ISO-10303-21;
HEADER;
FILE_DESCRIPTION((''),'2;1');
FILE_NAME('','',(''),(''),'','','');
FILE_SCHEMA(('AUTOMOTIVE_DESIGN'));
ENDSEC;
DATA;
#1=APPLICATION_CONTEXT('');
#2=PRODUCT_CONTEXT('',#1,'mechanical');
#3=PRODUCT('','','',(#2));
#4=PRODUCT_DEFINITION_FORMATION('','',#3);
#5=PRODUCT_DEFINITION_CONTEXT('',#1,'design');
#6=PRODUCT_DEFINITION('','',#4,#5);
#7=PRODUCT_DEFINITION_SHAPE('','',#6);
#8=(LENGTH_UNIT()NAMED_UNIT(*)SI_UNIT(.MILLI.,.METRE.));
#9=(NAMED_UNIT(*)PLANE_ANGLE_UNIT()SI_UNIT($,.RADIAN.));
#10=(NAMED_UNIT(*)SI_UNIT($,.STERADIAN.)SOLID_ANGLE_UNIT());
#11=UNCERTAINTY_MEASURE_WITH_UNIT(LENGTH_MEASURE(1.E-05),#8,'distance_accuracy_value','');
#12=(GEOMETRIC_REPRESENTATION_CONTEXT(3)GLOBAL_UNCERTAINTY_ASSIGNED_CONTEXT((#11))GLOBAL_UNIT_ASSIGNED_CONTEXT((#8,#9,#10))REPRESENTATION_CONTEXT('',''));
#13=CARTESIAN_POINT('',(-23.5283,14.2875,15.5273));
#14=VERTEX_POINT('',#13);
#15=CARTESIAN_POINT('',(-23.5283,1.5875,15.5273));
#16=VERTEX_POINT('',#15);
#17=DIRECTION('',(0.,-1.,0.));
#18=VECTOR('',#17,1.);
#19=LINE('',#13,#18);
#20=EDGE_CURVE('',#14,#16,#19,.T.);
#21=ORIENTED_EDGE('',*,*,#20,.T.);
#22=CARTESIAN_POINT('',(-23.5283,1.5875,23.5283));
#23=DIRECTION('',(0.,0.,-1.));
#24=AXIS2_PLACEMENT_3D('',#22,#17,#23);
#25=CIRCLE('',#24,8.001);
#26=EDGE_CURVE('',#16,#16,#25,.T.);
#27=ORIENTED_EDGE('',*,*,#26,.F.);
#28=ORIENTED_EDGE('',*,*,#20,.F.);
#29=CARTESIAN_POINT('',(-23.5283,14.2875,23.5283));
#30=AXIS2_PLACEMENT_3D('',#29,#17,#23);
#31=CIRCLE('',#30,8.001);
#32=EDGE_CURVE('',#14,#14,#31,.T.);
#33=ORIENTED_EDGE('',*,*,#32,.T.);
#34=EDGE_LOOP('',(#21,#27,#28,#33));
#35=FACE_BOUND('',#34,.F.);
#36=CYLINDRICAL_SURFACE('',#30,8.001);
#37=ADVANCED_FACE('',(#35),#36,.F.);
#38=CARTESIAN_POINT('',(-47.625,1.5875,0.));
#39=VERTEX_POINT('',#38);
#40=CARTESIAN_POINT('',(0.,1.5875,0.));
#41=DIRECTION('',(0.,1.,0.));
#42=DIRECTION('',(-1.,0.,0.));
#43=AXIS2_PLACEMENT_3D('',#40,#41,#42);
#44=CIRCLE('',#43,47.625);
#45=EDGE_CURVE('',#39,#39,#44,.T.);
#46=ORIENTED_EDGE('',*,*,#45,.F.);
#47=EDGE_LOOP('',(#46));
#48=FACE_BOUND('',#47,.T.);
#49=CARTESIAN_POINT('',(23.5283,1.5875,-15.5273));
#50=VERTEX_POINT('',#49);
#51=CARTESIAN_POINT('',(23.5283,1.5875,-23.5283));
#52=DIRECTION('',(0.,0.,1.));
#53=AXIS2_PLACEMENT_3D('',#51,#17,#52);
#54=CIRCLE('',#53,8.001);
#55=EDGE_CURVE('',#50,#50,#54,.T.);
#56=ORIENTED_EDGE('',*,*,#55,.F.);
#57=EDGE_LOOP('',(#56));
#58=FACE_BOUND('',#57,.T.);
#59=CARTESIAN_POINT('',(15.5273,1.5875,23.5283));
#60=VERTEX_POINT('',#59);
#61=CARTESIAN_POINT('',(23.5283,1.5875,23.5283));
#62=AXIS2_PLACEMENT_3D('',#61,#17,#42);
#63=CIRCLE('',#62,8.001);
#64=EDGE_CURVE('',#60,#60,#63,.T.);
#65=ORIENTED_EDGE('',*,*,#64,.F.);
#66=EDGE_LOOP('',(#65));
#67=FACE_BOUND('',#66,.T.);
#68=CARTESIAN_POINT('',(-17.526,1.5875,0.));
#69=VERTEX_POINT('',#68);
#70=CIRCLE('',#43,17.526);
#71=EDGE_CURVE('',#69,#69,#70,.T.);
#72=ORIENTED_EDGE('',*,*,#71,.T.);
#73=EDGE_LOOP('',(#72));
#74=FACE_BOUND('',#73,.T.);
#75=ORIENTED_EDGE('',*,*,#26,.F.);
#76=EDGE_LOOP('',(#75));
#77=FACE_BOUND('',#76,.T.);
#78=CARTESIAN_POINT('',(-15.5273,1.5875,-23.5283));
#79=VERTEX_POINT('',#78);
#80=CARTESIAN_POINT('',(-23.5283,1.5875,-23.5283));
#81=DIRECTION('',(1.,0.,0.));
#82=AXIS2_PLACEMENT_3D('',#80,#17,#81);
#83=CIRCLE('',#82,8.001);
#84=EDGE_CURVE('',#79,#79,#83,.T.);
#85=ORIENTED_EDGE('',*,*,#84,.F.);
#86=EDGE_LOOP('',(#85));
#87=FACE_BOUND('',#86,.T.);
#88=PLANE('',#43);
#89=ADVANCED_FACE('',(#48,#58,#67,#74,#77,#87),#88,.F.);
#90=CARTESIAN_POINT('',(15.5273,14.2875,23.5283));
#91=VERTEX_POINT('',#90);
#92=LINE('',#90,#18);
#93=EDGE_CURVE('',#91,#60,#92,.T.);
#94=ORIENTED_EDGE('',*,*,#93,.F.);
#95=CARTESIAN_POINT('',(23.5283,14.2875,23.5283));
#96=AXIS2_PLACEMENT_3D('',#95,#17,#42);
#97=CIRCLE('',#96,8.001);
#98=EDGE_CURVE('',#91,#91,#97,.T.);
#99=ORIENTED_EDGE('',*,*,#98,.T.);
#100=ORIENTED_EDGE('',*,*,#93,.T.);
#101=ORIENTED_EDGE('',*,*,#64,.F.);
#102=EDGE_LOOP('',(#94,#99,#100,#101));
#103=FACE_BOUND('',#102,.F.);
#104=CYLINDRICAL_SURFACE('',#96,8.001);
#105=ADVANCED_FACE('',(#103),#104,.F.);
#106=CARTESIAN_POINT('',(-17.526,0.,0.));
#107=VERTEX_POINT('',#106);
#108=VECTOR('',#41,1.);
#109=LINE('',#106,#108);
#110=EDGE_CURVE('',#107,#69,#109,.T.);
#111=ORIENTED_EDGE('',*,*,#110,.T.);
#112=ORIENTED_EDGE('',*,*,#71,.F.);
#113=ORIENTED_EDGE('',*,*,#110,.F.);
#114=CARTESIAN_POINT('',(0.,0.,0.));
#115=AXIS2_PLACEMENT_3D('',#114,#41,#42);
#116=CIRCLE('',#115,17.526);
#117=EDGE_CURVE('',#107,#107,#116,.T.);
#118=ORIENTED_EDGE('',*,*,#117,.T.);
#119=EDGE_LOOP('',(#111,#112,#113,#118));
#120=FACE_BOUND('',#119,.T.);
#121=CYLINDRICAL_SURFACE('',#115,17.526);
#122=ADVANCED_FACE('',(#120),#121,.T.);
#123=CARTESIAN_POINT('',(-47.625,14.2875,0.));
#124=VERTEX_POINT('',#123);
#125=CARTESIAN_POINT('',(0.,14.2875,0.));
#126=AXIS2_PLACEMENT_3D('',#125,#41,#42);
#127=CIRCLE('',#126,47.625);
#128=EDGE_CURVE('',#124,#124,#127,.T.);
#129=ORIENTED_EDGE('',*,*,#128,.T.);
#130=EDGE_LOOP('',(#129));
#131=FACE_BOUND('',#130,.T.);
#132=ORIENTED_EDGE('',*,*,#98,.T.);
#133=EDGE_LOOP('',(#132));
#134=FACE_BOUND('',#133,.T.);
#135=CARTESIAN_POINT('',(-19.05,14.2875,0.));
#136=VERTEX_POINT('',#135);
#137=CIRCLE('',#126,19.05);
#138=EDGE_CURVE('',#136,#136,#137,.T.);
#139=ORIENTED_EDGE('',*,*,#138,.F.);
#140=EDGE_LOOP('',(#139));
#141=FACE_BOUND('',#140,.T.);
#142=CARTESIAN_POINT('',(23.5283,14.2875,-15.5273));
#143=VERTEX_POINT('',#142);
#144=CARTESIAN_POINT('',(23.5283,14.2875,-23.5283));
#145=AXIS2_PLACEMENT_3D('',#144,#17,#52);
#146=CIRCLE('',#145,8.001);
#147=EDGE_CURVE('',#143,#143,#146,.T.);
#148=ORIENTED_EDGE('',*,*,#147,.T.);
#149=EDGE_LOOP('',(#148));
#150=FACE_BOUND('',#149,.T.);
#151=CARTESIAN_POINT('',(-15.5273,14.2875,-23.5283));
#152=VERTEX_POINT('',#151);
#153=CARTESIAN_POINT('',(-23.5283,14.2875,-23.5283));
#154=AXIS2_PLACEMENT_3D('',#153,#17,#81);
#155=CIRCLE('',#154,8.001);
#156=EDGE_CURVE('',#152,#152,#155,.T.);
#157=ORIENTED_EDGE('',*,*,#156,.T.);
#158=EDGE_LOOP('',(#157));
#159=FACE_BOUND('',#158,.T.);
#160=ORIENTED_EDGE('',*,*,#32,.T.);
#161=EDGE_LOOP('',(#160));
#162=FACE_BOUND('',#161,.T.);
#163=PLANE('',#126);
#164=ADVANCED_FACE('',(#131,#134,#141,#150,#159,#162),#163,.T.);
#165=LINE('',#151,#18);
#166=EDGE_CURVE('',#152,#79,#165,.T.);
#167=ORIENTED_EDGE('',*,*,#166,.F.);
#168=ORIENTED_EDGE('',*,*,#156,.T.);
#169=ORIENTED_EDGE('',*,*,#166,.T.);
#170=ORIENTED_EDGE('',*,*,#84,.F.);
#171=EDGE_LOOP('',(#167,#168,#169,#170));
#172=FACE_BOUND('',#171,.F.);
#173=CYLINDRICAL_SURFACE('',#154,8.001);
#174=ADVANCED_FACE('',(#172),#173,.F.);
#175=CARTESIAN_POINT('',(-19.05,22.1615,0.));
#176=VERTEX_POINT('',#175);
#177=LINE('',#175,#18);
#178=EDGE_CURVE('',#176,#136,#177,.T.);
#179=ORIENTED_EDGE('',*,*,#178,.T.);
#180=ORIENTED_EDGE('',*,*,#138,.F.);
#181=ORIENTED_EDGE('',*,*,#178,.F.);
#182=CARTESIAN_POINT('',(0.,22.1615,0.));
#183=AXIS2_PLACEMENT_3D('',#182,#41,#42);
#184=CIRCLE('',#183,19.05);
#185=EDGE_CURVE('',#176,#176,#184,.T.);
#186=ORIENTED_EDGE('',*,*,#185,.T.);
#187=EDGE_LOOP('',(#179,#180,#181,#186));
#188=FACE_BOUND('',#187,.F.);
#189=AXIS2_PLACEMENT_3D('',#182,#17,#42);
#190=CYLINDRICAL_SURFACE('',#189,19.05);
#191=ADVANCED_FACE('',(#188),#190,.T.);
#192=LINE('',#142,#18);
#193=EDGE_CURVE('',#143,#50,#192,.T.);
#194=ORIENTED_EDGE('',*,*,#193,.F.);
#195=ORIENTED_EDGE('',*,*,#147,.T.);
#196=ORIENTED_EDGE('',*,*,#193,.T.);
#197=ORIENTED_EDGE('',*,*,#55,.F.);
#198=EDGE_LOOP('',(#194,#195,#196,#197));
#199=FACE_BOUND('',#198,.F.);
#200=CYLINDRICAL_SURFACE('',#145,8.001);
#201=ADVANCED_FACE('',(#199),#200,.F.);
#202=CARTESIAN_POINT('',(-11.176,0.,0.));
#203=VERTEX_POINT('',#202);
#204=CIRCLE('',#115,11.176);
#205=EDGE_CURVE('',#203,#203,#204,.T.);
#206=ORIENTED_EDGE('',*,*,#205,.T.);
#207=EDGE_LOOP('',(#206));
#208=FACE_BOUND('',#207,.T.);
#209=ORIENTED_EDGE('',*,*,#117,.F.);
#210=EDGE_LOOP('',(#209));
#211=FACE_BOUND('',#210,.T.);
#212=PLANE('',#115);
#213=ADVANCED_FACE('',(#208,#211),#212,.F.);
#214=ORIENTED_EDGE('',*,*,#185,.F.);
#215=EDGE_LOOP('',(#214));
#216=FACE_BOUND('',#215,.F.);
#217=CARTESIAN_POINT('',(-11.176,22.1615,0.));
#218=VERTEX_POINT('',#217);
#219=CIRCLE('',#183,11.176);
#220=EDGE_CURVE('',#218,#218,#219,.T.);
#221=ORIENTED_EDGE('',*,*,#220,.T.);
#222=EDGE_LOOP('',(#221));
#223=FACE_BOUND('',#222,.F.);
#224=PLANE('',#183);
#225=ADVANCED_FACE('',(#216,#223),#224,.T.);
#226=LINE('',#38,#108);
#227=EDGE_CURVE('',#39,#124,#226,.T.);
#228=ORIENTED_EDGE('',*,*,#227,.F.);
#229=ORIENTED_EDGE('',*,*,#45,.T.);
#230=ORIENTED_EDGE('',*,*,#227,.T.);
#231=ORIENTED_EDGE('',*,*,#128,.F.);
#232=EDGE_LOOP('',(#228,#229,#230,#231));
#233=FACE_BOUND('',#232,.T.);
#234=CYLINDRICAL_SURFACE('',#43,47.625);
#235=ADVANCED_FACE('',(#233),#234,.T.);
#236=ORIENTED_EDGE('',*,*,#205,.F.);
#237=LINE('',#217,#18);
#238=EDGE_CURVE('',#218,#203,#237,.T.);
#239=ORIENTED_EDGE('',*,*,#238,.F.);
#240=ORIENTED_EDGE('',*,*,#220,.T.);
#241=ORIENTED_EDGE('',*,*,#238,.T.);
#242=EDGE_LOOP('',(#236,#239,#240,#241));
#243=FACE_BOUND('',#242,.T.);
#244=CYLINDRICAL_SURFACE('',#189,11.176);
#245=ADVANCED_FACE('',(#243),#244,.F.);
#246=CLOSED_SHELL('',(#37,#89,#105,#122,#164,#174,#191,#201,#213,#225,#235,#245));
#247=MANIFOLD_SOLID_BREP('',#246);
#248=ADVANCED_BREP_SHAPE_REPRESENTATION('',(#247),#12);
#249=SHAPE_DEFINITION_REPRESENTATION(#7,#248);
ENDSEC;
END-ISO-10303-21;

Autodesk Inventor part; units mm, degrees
ref_plane "YZ Plane" through (0, 0, 0) normal (1, 0, 0) x (0, 1, 0)
ref_plane "XZ Plane" through (0, 0, 0) normal (0, 1, 0) x (-1, 0, 0)
ref_plane "XY Plane" through (0, 0, 0) normal (0, 0, 1) x (1, 0, 0)
sketch "Sketch1" plane through (0, 0, 0) normal (0, 0, 1) x (1, 0, 0)
  line L0 (0, 0) -> (0, 22.1615) construction
  line L1 (-11.176, 22.1615) -> (-11.176, 0)
  line L2 (-11.176, 0) -> (-17.526, 0)
  line L3 (-17.526, 0) -> (-17.526, 1.5875)
  line L4 (-17.526, 1.5875) -> (-47.625, 1.5875)
  line L5 (-47.625, 1.5875) -> (-47.625, 14.2875)
  line L6 (-47.625, 14.2875) -> (-19.05, 14.2875)
  line L7 (-33.274, 14.2875) -> (-33.274, 1.5875) construction
  line L8 (-11.176, 22.1615) -> (-19.05, 22.1615)
  line L9 (-19.05, 22.1615) -> (-19.05, 14.2875)
  dimension "SB" = 22.352
  dimension "d1" = 1.5875
  dimension "SL" = 20.574
  dimension "Thickness" = 12.7
  dimension "R" = 35.052
  dimension "OD" = 95.25
  dimension "BC" = 66.548
  dimension "HB" = 38.1
revolve "Revolution1" add sketch "Sketch1" angle 360 about axis through (0, 0, 0) along (0, 1, 0)
sketch "Sketch2" plane through (0, 14.2875, 0) normal (0, 1, 0) x (1, 0, 0)
  line L0 (0, 0) -> (0, 47.625) construction
  circle A0 centre (0, 0) radius 47.625 projected
  line L1 (0, 0) -> (23.5283, 23.5283) construction
  dimension "d11" = 45
  dimension "d12" = 33.274
hole "Hole1" at (23.5283, 14.2875, -23.5283) direction (0, -1, 0) diameter 16.002 depth 12.7
pattern_circular "Circular Pattern1" count 4 over 360 about axis through (0, -10, 0) along (0, 1, 0) of "Hole1"
equation "\"d12\" = 0.5 * BC"
properties part number "ANSI-B300-0.5S"
